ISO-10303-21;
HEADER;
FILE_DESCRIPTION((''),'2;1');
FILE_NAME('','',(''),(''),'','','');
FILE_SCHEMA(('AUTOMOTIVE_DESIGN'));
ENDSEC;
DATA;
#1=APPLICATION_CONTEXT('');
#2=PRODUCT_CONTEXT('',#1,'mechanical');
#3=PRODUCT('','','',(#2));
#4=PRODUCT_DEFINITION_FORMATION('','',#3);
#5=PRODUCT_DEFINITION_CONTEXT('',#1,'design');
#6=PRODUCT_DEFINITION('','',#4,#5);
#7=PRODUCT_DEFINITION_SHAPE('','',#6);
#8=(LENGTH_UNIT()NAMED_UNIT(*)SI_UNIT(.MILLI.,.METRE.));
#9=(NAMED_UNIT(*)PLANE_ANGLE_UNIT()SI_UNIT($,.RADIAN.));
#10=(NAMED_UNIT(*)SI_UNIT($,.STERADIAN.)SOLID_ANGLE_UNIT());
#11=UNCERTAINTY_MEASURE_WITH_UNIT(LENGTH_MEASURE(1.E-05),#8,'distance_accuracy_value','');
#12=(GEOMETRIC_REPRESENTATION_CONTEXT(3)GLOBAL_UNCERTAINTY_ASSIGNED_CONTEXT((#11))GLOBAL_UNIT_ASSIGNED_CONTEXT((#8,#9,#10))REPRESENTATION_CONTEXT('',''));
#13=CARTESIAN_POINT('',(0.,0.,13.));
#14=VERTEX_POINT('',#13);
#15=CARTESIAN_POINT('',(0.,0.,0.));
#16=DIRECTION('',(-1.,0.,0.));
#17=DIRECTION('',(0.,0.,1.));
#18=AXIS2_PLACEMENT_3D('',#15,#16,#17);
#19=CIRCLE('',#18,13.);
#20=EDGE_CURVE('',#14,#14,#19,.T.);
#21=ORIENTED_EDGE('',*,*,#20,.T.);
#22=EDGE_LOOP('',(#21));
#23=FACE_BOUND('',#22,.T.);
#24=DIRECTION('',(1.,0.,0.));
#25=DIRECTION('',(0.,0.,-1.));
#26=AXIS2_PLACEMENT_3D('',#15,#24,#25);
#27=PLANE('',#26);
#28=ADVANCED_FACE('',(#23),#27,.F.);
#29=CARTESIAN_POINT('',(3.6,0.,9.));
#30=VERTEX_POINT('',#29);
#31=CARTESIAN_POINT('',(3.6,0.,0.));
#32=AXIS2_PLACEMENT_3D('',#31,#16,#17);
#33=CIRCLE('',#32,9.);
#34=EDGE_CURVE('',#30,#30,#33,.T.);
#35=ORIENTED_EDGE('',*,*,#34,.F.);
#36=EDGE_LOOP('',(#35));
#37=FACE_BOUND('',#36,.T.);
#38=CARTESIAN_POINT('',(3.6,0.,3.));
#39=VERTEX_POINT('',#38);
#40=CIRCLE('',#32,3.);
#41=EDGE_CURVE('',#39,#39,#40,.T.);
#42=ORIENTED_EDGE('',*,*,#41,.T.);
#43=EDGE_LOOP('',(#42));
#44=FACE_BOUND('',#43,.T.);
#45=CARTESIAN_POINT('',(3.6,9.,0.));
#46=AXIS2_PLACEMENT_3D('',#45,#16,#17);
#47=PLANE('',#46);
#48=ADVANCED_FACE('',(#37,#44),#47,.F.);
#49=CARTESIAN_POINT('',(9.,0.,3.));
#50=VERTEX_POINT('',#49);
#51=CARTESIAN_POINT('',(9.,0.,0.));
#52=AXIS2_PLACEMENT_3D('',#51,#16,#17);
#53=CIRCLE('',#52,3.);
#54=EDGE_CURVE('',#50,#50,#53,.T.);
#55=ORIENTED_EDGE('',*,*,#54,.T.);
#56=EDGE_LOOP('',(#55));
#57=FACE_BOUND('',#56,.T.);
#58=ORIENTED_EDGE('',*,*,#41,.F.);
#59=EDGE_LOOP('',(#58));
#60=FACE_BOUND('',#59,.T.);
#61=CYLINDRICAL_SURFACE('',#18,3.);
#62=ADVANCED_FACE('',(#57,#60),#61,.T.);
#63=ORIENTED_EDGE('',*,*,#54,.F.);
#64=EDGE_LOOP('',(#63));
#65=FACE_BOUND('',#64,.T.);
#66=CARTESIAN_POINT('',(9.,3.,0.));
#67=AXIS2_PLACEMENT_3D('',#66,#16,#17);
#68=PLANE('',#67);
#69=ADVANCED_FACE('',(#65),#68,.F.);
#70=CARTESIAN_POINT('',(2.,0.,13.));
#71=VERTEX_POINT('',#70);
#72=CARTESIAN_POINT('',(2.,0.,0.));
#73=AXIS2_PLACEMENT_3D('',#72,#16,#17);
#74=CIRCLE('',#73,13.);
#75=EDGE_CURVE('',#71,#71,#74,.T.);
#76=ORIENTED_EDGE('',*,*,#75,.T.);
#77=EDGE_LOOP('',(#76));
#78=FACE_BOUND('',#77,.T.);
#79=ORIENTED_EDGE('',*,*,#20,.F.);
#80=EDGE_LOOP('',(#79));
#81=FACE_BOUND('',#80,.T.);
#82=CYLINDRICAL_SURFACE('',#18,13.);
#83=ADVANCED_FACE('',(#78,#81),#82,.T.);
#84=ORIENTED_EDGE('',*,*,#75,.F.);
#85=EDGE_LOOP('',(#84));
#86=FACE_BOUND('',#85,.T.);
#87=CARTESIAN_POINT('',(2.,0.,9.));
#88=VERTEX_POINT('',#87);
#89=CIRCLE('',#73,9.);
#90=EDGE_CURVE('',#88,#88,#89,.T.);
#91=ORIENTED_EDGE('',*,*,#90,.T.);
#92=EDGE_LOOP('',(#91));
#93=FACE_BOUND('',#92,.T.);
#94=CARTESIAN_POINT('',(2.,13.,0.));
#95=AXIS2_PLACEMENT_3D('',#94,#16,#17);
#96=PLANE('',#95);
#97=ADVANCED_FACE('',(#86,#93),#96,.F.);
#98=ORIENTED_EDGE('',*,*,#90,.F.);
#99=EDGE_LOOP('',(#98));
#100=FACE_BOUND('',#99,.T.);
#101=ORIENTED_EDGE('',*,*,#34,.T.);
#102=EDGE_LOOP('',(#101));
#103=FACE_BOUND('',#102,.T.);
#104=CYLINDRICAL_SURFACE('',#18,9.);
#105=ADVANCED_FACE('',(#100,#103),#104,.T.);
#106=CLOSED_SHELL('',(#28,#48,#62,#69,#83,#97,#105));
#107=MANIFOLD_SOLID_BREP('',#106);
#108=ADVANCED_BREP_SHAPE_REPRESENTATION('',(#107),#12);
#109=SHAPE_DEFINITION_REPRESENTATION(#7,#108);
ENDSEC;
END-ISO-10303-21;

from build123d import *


with BuildPart() as part:
    # Sketch1 → Revolve1 (revolve)
    with BuildSketch(Plane.XY):
        Polygon((0, 0), (0, 13), (2, 13), (2, 9), (3.6, 9), (3.6, 3), (9, 3), (9, 0), align=None)
    revolve(axis=Axis((0, 0, 0), (1, 0, 0)))


solid = part.part
